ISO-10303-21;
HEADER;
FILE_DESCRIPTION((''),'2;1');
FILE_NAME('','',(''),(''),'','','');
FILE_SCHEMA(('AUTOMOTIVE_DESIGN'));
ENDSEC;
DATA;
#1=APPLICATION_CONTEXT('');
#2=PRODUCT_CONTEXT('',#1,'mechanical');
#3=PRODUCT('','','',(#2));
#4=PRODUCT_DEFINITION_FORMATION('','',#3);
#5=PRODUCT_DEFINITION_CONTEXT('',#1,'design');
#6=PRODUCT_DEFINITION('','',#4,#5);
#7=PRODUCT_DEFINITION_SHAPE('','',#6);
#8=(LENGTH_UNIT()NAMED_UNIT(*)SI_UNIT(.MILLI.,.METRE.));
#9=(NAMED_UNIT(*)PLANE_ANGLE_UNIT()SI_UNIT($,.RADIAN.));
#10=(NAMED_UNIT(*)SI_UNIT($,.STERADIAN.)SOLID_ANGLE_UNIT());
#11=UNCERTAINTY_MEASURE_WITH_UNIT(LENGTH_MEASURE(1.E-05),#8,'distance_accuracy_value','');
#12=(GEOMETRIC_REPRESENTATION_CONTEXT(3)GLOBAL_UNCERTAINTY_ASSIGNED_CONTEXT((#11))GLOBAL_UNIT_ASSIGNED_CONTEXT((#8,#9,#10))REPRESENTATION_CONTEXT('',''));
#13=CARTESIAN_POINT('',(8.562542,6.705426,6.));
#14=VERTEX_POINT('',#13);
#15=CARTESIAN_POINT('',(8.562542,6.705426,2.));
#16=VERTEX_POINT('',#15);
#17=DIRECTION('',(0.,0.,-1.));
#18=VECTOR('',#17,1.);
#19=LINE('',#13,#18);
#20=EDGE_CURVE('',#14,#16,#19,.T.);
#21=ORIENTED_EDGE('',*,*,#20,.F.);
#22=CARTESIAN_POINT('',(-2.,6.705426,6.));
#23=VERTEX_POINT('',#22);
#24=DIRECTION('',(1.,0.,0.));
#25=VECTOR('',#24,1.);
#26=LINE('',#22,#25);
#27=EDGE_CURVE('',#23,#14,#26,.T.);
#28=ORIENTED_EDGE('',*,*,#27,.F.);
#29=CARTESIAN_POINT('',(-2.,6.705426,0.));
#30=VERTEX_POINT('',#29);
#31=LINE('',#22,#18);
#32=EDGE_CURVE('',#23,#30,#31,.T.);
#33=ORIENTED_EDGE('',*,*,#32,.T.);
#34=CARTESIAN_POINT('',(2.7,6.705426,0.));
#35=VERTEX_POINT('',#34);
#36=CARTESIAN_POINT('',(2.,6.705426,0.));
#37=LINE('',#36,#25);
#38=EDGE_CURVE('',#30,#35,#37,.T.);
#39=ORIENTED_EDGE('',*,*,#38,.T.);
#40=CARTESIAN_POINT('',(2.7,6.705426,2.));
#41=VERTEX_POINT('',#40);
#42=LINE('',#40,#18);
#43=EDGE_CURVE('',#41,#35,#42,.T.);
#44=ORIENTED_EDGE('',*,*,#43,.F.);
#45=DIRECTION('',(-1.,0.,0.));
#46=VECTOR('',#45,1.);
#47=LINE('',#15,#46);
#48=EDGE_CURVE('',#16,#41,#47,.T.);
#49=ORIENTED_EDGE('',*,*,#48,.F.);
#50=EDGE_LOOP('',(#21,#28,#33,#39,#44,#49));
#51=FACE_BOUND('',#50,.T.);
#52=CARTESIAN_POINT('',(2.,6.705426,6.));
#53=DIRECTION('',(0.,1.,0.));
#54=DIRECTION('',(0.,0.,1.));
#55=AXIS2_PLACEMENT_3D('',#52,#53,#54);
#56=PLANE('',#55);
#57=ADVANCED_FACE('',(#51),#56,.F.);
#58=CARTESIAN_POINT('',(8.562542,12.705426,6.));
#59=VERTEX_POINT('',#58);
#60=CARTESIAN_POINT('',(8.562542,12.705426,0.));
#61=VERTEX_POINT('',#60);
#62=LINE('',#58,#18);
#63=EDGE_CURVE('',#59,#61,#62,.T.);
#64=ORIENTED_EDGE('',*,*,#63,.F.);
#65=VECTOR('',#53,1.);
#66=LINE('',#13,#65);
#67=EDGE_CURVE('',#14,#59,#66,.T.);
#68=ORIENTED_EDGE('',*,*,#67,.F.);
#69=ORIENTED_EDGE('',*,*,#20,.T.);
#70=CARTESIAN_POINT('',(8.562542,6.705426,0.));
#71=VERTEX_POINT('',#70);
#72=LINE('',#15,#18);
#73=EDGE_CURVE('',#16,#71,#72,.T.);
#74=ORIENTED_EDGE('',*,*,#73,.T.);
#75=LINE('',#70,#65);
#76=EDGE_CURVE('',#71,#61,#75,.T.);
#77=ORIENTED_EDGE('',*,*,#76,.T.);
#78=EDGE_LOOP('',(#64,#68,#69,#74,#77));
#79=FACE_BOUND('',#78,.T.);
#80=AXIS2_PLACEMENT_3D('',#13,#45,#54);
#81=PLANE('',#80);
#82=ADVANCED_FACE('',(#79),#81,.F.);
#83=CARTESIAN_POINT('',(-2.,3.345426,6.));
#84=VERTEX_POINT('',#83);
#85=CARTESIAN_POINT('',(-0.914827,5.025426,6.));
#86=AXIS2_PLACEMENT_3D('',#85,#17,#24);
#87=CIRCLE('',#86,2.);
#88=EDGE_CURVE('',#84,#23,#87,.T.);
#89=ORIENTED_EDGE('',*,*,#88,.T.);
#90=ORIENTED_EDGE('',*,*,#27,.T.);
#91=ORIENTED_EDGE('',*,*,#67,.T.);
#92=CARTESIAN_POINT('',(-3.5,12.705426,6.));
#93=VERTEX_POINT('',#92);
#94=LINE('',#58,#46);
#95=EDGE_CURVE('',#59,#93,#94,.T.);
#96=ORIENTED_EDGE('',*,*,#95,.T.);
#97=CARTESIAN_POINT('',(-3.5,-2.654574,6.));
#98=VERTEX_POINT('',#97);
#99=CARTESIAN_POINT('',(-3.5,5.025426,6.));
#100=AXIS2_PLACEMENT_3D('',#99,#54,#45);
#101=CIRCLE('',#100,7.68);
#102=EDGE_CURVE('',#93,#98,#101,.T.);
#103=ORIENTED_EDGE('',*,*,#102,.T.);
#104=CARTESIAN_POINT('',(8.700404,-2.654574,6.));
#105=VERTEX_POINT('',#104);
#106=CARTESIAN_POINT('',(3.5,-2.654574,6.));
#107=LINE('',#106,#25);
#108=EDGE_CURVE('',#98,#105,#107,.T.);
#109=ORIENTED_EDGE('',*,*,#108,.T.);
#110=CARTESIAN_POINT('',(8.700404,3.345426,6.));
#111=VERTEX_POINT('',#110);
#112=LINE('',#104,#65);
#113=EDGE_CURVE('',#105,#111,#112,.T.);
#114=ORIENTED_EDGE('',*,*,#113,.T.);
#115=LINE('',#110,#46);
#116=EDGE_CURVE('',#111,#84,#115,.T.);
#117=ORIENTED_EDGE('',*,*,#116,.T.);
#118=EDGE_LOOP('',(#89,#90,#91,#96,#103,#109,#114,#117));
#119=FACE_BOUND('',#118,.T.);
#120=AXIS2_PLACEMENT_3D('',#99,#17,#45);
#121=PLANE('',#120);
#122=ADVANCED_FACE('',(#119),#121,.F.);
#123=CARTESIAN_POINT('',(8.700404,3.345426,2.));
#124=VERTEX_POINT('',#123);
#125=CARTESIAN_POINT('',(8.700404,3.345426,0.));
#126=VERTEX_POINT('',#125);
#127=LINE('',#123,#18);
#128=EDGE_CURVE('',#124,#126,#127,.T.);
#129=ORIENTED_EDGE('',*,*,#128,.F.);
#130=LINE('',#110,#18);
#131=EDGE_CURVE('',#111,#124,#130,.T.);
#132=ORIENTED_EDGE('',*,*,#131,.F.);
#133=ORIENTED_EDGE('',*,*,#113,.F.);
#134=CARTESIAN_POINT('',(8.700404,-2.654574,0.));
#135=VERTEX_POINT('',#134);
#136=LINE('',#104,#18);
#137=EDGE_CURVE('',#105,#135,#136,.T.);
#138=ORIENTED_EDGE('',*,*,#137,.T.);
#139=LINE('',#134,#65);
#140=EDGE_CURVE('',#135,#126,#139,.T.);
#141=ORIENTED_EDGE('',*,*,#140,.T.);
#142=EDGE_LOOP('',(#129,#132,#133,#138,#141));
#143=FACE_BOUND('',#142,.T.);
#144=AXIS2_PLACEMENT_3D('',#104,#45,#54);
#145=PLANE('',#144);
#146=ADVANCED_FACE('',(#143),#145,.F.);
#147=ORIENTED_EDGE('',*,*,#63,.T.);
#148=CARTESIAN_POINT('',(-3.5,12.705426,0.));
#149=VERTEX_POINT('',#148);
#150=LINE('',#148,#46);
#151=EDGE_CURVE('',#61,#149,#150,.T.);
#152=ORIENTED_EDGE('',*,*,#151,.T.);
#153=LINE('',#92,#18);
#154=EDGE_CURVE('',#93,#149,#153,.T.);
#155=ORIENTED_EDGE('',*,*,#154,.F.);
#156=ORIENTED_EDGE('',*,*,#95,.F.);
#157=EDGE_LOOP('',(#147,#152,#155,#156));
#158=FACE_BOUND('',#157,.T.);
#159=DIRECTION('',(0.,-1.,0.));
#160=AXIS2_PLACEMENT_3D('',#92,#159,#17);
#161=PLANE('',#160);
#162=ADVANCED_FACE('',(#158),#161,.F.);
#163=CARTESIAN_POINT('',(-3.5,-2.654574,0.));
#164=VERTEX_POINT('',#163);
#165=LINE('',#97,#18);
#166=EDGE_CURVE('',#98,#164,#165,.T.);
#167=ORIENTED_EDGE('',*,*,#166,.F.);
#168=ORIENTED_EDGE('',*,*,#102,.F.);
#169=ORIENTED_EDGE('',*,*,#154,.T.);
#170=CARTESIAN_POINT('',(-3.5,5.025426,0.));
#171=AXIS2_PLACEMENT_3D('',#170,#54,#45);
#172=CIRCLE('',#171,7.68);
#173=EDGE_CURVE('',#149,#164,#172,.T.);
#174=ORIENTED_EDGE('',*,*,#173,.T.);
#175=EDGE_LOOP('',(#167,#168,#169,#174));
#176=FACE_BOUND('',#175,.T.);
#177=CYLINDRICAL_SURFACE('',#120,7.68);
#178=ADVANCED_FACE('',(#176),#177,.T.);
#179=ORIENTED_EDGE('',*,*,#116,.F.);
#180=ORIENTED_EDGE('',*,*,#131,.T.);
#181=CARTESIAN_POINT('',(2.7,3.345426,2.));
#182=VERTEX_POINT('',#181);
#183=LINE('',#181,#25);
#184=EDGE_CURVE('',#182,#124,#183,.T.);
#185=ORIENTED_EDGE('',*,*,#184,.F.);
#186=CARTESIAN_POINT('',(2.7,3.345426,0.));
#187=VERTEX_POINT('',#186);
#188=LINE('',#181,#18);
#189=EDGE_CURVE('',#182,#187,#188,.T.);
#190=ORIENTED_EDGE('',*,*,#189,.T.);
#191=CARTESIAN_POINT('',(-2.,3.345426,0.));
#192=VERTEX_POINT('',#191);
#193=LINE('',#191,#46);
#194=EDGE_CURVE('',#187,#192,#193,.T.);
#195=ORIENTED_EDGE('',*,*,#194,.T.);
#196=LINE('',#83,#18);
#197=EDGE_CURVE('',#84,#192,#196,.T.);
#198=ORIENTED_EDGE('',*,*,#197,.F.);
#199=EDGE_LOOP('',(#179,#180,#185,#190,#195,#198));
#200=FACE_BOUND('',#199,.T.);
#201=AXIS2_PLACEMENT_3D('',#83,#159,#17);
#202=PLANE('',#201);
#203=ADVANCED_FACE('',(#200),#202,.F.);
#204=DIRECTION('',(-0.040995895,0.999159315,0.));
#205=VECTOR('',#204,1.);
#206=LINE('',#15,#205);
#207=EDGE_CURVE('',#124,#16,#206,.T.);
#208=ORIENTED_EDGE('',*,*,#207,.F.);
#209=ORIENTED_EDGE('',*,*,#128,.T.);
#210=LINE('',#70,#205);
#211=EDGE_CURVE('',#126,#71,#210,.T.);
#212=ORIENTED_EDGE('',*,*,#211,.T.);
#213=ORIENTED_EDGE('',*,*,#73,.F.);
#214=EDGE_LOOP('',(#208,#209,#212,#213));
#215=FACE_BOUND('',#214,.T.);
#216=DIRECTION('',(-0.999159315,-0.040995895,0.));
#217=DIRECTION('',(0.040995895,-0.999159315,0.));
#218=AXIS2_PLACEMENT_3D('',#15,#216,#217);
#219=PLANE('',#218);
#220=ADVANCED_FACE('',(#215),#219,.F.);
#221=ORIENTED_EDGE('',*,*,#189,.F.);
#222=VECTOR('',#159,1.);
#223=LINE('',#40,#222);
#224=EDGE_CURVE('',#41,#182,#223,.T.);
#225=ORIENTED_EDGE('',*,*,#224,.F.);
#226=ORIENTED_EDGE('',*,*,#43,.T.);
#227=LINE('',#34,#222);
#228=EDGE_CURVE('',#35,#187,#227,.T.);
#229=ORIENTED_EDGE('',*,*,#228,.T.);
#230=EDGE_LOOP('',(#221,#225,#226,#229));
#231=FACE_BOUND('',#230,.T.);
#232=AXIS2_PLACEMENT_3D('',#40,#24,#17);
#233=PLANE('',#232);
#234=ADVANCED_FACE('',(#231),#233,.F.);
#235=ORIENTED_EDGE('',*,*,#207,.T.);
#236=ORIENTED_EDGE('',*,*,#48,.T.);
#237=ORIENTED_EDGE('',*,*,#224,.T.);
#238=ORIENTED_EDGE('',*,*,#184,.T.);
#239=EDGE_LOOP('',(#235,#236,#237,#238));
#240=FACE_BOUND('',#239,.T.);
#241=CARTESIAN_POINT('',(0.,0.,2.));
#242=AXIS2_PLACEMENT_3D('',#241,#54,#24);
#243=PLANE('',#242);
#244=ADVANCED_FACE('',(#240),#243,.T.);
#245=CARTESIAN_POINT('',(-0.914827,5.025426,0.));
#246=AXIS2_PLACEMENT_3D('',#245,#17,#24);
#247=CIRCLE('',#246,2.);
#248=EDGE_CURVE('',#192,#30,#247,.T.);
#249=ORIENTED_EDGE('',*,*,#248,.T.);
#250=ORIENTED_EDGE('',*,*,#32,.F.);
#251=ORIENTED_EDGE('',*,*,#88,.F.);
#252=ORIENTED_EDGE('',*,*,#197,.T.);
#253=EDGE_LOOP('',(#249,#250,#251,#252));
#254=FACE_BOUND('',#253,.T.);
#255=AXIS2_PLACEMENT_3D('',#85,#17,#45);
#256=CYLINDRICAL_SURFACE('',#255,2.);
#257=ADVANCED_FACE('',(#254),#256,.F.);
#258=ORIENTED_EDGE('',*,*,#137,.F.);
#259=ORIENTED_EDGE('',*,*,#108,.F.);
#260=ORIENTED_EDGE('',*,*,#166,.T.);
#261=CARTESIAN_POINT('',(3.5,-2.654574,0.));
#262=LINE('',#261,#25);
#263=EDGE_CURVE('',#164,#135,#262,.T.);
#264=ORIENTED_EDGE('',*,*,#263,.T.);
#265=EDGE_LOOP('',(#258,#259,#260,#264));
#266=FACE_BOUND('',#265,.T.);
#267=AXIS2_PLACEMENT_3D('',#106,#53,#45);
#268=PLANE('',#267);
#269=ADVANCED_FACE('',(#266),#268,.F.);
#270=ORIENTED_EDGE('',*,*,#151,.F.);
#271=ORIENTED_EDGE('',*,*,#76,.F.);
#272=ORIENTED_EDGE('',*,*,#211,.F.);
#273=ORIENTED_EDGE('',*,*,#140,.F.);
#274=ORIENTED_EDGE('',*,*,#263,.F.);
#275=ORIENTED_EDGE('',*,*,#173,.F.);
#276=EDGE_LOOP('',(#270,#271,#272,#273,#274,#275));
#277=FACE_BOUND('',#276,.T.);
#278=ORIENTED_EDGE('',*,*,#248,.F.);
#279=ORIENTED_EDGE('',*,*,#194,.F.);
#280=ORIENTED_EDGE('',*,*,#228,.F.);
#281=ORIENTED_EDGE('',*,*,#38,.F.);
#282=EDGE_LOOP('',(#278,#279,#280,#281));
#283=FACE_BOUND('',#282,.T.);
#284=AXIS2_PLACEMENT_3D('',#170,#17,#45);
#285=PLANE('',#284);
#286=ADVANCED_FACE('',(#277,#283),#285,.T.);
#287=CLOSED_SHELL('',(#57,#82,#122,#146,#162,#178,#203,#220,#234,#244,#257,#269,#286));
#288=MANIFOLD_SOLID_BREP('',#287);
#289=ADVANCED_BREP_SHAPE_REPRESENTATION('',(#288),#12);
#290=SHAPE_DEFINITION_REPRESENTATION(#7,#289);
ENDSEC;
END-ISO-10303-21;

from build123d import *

# Parameters (mm, degrees)
BOSS_EXTRUDE1_DEPTH = 6
BOSS_EXTRUDE2_DEPTH = 2


with BuildPart() as part:
    # Sketch1 → Boss-Extrude1 (new body)
    with BuildSketch(Plane.XY):
        with BuildLine():
            Line((-2, 6.705426357), (2, 6.705426357))
            Line((2, 6.705426357), (8.562541674, 6.705426357))
            Line((8.562541674, 6.705426357), (8.562541674, 12.705426357))
            Line((8.562541674, 12.705426357), (3.5, 12.705426357))
            Line((3.5, 12.705426357), (-3.5, 12.705426357))
            ThreePointArc((-3.5, 12.705426357), (-11.18, 5.025426357), (-3.5, -2.654573643))
            Line((-3.5, -2.654573643), (3.5, -2.654573643))
            Line((3.5, -2.654573643), (8.700403781, -2.654573643))
            Line((8.700403781, -2.654573643), (8.700403781, 3.345426357))
            Line((8.700403781, 3.345426357), (2, 3.345426357))
            Line((2, 3.345426357), (-2, 3.345426357))
            ThreePointArc((-2, 3.345426357), (-2.914827203, 5.025426357), (-2, 6.705426357))
        make_face()
    extrude(amount=BOSS_EXTRUDE1_DEPTH)

    # Sketch2 → Boss-Extrude2 (add)
    with BuildSketch(Plane.XY):
        Polygon((8.562541674, 6.705426357), (8.700403781, 3.345426357), (2.7, 3.345426357), (2.7, 6.705426357), align=None)
    extrude(amount=BOSS_EXTRUDE2_DEPTH)


solid = part.part
